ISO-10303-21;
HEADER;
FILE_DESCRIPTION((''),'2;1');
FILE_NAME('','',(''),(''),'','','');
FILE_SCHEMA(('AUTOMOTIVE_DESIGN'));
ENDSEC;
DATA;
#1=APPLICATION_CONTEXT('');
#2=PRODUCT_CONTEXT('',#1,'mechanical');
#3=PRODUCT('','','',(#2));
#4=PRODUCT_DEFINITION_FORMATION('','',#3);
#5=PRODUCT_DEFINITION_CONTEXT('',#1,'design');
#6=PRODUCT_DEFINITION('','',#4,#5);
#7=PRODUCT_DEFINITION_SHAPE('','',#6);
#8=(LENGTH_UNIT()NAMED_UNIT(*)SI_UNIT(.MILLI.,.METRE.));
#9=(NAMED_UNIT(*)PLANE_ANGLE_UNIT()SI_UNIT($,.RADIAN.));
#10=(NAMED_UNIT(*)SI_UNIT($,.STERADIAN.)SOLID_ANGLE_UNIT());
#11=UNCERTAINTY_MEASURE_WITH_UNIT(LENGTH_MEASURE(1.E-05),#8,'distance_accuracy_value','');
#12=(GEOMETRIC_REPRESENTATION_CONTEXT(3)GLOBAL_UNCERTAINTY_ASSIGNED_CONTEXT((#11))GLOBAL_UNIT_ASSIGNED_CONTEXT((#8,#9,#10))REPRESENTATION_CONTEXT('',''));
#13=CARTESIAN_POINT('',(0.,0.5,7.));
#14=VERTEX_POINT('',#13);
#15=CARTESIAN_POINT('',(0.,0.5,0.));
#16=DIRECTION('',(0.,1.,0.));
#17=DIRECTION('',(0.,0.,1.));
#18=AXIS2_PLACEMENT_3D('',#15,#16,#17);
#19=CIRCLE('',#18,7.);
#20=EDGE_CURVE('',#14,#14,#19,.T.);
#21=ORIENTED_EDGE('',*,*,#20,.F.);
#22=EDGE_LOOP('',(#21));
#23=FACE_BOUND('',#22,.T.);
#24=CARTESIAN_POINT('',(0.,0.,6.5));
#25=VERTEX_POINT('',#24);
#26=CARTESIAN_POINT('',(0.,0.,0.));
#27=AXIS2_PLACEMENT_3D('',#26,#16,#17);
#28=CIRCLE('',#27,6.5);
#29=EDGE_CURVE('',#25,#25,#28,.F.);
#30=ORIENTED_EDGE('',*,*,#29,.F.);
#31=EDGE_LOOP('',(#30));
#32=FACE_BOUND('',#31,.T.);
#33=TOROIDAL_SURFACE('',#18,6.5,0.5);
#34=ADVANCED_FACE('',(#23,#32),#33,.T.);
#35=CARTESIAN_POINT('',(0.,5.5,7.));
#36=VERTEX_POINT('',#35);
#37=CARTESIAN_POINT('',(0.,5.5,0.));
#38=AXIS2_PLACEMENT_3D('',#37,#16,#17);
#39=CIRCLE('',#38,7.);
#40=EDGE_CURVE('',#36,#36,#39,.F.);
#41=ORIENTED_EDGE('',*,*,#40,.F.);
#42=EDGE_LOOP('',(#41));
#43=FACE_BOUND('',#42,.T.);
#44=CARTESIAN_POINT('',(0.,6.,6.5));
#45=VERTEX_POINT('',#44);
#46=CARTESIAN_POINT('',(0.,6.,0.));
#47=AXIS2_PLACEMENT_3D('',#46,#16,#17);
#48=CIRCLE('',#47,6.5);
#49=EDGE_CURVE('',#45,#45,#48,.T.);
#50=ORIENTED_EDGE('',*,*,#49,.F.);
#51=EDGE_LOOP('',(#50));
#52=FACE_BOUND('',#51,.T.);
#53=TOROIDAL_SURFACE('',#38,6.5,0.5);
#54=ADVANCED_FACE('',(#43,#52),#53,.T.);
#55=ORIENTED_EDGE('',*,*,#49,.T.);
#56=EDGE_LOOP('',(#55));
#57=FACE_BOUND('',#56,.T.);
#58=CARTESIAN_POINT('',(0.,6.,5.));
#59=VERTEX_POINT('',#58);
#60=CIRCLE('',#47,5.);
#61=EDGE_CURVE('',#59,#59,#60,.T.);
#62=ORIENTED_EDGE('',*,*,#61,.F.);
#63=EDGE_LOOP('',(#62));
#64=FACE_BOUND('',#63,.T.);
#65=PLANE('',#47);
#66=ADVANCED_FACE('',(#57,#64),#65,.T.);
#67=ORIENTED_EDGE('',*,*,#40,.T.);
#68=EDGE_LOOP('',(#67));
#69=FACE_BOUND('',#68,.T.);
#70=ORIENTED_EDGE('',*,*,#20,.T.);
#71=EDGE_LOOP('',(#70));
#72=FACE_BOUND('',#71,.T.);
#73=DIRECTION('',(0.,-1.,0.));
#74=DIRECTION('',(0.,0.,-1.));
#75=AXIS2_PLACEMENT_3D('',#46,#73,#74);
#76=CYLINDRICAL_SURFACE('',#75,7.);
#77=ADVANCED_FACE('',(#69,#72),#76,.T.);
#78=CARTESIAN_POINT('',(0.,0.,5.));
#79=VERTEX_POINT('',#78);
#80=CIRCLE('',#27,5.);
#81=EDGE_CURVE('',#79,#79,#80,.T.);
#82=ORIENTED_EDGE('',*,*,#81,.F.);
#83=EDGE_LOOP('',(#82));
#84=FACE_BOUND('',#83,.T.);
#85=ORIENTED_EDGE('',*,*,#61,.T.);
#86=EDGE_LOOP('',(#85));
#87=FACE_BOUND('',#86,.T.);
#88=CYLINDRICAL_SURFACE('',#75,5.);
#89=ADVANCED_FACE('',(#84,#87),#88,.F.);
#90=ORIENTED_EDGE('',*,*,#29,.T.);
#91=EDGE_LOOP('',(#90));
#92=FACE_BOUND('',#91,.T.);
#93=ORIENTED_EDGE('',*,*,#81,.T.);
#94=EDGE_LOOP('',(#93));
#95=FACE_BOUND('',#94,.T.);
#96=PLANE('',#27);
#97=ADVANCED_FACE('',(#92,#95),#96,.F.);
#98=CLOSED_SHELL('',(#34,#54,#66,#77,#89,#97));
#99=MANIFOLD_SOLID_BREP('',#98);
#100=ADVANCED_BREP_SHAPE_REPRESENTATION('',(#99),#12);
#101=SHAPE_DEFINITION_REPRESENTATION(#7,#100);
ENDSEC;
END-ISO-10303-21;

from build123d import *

# Parameters (mm, degrees)
SKETCH1_R           = 7
SKETCH1_R_2         = 5
BOSS_EXTRUDE1_DEPTH = 6
FILLET1_R           = 0.5


with BuildPart() as part:
    # Sketch1 → Boss-Extrude1 (new body)
    with BuildSketch(Plane(origin=(0, 0, 0), x_dir=(1, 0, 0), z_dir=(0, 1, 0))):
        Circle(SKETCH1_R)
        Circle(SKETCH1_R_2, mode=Mode.SUBTRACT)
    extrude(amount=BOSS_EXTRUDE1_DEPTH)

    # Fillet1
    fillet1_edges = [part.edges().sort_by_distance(p)[0] for p in [
        (-7, 0, 0),
        (-7, 6, 0),
    ]]
    fillet(fillet1_edges, radius=FILLET1_R)


solid = part.part
